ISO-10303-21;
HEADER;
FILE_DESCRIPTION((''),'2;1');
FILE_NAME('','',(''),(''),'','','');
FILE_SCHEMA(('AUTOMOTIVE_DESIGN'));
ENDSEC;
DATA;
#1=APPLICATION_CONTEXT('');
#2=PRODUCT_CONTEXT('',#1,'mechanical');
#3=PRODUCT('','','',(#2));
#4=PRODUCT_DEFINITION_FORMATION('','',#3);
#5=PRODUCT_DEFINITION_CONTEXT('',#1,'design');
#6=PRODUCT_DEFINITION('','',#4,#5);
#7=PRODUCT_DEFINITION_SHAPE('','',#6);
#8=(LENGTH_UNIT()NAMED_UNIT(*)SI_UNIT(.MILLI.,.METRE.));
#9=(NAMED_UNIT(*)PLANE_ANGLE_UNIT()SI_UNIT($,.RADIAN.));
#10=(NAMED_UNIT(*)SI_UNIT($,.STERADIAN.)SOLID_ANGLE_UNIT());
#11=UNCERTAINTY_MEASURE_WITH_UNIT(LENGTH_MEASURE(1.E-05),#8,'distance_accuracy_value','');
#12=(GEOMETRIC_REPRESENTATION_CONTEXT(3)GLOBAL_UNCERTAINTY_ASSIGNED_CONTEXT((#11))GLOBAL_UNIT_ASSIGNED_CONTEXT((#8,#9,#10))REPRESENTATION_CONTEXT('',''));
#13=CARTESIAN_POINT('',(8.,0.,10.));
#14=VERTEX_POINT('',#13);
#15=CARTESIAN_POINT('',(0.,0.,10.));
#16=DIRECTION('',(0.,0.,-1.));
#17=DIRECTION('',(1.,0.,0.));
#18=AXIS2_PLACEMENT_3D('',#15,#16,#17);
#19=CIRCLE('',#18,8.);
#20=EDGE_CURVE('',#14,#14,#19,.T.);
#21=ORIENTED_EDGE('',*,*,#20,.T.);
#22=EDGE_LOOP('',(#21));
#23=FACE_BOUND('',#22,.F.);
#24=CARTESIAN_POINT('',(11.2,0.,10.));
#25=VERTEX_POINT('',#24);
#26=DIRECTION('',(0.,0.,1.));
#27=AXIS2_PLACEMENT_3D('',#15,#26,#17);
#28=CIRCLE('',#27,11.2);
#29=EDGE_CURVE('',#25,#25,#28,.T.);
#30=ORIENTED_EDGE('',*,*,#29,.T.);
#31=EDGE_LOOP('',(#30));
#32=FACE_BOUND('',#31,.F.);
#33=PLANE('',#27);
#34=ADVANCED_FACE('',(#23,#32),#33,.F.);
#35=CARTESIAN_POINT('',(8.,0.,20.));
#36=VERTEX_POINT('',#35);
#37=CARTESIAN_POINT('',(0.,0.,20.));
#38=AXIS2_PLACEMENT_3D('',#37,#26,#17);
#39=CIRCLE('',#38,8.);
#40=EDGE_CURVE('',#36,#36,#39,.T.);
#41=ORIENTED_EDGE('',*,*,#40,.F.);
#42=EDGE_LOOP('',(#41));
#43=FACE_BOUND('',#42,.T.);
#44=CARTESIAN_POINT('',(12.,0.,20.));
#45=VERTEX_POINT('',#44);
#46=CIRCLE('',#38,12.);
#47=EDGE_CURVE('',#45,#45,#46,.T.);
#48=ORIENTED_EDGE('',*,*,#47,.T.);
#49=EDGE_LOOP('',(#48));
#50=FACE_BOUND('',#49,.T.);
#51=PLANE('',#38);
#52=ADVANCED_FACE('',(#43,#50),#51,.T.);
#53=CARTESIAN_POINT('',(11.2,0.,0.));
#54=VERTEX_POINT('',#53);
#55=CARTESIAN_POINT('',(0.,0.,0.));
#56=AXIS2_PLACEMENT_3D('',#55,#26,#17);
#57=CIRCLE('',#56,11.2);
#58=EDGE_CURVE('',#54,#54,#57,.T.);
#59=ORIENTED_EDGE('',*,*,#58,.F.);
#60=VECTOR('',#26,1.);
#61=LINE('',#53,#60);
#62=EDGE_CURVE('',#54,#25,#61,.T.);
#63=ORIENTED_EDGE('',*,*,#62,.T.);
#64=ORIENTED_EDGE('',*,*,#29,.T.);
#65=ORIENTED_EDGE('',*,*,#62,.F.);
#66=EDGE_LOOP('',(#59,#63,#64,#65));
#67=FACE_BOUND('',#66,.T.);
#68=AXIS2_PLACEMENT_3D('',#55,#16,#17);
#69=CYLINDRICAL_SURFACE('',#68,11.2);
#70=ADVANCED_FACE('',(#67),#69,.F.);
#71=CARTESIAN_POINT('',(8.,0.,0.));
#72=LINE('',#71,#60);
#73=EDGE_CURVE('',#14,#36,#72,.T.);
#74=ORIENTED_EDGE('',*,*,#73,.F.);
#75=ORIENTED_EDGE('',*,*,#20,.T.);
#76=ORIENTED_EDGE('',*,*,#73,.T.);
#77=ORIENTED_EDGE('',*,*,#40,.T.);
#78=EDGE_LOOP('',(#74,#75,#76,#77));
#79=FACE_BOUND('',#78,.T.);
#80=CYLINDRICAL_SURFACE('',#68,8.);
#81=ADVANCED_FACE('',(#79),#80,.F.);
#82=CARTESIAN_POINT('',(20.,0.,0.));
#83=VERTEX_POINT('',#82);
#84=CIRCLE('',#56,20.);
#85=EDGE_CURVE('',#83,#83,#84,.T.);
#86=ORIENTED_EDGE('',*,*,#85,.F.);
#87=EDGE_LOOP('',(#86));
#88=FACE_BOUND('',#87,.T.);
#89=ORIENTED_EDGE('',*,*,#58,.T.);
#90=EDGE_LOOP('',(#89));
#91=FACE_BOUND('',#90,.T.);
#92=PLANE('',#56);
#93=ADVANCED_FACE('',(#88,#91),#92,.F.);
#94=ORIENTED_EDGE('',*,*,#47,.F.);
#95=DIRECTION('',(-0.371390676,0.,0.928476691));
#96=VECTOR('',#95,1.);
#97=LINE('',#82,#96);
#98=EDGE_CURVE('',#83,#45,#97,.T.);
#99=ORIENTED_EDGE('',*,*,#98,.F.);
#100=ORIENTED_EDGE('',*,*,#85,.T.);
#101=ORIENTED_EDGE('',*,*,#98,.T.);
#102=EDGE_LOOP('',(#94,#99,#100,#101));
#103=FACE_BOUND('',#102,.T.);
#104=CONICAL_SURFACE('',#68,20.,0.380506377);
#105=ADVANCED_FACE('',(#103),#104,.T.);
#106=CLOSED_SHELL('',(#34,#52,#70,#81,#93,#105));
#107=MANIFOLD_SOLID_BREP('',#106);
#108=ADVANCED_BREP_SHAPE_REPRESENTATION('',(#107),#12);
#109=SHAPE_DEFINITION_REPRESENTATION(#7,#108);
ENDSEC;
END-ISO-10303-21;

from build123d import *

# Parameters (mm, degrees)
CYLINDER001_R     = 8
CYLINDER001_DEPTH = 20
CYLINDER_R        = 11.2
CYLINDER_DEPTH    = 10


with BuildPart() as cylinder001:
    # Cylinder001 → Cylinder001 (new body)
    with BuildSketch(Plane.XY):
        Circle(CYLINDER001_R)
    extrude(amount=CYLINDER001_DEPTH)


with BuildPart() as cylinder:
    # Cylinder → Cylinder (new body)
    with BuildSketch(Plane.XY):
        Circle(CYLINDER_R)
    extrude(amount=CYLINDER_DEPTH)


with BuildPart() as cut001:
    # Cone → Cone (revolve)
    with BuildSketch(Plane.XZ):
        Polygon((0, 0), (20, 0), (12, 20), (0, 20), align=None)
    revolve(axis=Axis((0, 0, 0), (0, 0, 1)))

    # Cut: cut Cylinder
    add(cylinder.part, mode=Mode.SUBTRACT)

    # Cut001: cut Cylinder001
    add(cylinder001.part, mode=Mode.SUBTRACT)


solid = cut001.part
